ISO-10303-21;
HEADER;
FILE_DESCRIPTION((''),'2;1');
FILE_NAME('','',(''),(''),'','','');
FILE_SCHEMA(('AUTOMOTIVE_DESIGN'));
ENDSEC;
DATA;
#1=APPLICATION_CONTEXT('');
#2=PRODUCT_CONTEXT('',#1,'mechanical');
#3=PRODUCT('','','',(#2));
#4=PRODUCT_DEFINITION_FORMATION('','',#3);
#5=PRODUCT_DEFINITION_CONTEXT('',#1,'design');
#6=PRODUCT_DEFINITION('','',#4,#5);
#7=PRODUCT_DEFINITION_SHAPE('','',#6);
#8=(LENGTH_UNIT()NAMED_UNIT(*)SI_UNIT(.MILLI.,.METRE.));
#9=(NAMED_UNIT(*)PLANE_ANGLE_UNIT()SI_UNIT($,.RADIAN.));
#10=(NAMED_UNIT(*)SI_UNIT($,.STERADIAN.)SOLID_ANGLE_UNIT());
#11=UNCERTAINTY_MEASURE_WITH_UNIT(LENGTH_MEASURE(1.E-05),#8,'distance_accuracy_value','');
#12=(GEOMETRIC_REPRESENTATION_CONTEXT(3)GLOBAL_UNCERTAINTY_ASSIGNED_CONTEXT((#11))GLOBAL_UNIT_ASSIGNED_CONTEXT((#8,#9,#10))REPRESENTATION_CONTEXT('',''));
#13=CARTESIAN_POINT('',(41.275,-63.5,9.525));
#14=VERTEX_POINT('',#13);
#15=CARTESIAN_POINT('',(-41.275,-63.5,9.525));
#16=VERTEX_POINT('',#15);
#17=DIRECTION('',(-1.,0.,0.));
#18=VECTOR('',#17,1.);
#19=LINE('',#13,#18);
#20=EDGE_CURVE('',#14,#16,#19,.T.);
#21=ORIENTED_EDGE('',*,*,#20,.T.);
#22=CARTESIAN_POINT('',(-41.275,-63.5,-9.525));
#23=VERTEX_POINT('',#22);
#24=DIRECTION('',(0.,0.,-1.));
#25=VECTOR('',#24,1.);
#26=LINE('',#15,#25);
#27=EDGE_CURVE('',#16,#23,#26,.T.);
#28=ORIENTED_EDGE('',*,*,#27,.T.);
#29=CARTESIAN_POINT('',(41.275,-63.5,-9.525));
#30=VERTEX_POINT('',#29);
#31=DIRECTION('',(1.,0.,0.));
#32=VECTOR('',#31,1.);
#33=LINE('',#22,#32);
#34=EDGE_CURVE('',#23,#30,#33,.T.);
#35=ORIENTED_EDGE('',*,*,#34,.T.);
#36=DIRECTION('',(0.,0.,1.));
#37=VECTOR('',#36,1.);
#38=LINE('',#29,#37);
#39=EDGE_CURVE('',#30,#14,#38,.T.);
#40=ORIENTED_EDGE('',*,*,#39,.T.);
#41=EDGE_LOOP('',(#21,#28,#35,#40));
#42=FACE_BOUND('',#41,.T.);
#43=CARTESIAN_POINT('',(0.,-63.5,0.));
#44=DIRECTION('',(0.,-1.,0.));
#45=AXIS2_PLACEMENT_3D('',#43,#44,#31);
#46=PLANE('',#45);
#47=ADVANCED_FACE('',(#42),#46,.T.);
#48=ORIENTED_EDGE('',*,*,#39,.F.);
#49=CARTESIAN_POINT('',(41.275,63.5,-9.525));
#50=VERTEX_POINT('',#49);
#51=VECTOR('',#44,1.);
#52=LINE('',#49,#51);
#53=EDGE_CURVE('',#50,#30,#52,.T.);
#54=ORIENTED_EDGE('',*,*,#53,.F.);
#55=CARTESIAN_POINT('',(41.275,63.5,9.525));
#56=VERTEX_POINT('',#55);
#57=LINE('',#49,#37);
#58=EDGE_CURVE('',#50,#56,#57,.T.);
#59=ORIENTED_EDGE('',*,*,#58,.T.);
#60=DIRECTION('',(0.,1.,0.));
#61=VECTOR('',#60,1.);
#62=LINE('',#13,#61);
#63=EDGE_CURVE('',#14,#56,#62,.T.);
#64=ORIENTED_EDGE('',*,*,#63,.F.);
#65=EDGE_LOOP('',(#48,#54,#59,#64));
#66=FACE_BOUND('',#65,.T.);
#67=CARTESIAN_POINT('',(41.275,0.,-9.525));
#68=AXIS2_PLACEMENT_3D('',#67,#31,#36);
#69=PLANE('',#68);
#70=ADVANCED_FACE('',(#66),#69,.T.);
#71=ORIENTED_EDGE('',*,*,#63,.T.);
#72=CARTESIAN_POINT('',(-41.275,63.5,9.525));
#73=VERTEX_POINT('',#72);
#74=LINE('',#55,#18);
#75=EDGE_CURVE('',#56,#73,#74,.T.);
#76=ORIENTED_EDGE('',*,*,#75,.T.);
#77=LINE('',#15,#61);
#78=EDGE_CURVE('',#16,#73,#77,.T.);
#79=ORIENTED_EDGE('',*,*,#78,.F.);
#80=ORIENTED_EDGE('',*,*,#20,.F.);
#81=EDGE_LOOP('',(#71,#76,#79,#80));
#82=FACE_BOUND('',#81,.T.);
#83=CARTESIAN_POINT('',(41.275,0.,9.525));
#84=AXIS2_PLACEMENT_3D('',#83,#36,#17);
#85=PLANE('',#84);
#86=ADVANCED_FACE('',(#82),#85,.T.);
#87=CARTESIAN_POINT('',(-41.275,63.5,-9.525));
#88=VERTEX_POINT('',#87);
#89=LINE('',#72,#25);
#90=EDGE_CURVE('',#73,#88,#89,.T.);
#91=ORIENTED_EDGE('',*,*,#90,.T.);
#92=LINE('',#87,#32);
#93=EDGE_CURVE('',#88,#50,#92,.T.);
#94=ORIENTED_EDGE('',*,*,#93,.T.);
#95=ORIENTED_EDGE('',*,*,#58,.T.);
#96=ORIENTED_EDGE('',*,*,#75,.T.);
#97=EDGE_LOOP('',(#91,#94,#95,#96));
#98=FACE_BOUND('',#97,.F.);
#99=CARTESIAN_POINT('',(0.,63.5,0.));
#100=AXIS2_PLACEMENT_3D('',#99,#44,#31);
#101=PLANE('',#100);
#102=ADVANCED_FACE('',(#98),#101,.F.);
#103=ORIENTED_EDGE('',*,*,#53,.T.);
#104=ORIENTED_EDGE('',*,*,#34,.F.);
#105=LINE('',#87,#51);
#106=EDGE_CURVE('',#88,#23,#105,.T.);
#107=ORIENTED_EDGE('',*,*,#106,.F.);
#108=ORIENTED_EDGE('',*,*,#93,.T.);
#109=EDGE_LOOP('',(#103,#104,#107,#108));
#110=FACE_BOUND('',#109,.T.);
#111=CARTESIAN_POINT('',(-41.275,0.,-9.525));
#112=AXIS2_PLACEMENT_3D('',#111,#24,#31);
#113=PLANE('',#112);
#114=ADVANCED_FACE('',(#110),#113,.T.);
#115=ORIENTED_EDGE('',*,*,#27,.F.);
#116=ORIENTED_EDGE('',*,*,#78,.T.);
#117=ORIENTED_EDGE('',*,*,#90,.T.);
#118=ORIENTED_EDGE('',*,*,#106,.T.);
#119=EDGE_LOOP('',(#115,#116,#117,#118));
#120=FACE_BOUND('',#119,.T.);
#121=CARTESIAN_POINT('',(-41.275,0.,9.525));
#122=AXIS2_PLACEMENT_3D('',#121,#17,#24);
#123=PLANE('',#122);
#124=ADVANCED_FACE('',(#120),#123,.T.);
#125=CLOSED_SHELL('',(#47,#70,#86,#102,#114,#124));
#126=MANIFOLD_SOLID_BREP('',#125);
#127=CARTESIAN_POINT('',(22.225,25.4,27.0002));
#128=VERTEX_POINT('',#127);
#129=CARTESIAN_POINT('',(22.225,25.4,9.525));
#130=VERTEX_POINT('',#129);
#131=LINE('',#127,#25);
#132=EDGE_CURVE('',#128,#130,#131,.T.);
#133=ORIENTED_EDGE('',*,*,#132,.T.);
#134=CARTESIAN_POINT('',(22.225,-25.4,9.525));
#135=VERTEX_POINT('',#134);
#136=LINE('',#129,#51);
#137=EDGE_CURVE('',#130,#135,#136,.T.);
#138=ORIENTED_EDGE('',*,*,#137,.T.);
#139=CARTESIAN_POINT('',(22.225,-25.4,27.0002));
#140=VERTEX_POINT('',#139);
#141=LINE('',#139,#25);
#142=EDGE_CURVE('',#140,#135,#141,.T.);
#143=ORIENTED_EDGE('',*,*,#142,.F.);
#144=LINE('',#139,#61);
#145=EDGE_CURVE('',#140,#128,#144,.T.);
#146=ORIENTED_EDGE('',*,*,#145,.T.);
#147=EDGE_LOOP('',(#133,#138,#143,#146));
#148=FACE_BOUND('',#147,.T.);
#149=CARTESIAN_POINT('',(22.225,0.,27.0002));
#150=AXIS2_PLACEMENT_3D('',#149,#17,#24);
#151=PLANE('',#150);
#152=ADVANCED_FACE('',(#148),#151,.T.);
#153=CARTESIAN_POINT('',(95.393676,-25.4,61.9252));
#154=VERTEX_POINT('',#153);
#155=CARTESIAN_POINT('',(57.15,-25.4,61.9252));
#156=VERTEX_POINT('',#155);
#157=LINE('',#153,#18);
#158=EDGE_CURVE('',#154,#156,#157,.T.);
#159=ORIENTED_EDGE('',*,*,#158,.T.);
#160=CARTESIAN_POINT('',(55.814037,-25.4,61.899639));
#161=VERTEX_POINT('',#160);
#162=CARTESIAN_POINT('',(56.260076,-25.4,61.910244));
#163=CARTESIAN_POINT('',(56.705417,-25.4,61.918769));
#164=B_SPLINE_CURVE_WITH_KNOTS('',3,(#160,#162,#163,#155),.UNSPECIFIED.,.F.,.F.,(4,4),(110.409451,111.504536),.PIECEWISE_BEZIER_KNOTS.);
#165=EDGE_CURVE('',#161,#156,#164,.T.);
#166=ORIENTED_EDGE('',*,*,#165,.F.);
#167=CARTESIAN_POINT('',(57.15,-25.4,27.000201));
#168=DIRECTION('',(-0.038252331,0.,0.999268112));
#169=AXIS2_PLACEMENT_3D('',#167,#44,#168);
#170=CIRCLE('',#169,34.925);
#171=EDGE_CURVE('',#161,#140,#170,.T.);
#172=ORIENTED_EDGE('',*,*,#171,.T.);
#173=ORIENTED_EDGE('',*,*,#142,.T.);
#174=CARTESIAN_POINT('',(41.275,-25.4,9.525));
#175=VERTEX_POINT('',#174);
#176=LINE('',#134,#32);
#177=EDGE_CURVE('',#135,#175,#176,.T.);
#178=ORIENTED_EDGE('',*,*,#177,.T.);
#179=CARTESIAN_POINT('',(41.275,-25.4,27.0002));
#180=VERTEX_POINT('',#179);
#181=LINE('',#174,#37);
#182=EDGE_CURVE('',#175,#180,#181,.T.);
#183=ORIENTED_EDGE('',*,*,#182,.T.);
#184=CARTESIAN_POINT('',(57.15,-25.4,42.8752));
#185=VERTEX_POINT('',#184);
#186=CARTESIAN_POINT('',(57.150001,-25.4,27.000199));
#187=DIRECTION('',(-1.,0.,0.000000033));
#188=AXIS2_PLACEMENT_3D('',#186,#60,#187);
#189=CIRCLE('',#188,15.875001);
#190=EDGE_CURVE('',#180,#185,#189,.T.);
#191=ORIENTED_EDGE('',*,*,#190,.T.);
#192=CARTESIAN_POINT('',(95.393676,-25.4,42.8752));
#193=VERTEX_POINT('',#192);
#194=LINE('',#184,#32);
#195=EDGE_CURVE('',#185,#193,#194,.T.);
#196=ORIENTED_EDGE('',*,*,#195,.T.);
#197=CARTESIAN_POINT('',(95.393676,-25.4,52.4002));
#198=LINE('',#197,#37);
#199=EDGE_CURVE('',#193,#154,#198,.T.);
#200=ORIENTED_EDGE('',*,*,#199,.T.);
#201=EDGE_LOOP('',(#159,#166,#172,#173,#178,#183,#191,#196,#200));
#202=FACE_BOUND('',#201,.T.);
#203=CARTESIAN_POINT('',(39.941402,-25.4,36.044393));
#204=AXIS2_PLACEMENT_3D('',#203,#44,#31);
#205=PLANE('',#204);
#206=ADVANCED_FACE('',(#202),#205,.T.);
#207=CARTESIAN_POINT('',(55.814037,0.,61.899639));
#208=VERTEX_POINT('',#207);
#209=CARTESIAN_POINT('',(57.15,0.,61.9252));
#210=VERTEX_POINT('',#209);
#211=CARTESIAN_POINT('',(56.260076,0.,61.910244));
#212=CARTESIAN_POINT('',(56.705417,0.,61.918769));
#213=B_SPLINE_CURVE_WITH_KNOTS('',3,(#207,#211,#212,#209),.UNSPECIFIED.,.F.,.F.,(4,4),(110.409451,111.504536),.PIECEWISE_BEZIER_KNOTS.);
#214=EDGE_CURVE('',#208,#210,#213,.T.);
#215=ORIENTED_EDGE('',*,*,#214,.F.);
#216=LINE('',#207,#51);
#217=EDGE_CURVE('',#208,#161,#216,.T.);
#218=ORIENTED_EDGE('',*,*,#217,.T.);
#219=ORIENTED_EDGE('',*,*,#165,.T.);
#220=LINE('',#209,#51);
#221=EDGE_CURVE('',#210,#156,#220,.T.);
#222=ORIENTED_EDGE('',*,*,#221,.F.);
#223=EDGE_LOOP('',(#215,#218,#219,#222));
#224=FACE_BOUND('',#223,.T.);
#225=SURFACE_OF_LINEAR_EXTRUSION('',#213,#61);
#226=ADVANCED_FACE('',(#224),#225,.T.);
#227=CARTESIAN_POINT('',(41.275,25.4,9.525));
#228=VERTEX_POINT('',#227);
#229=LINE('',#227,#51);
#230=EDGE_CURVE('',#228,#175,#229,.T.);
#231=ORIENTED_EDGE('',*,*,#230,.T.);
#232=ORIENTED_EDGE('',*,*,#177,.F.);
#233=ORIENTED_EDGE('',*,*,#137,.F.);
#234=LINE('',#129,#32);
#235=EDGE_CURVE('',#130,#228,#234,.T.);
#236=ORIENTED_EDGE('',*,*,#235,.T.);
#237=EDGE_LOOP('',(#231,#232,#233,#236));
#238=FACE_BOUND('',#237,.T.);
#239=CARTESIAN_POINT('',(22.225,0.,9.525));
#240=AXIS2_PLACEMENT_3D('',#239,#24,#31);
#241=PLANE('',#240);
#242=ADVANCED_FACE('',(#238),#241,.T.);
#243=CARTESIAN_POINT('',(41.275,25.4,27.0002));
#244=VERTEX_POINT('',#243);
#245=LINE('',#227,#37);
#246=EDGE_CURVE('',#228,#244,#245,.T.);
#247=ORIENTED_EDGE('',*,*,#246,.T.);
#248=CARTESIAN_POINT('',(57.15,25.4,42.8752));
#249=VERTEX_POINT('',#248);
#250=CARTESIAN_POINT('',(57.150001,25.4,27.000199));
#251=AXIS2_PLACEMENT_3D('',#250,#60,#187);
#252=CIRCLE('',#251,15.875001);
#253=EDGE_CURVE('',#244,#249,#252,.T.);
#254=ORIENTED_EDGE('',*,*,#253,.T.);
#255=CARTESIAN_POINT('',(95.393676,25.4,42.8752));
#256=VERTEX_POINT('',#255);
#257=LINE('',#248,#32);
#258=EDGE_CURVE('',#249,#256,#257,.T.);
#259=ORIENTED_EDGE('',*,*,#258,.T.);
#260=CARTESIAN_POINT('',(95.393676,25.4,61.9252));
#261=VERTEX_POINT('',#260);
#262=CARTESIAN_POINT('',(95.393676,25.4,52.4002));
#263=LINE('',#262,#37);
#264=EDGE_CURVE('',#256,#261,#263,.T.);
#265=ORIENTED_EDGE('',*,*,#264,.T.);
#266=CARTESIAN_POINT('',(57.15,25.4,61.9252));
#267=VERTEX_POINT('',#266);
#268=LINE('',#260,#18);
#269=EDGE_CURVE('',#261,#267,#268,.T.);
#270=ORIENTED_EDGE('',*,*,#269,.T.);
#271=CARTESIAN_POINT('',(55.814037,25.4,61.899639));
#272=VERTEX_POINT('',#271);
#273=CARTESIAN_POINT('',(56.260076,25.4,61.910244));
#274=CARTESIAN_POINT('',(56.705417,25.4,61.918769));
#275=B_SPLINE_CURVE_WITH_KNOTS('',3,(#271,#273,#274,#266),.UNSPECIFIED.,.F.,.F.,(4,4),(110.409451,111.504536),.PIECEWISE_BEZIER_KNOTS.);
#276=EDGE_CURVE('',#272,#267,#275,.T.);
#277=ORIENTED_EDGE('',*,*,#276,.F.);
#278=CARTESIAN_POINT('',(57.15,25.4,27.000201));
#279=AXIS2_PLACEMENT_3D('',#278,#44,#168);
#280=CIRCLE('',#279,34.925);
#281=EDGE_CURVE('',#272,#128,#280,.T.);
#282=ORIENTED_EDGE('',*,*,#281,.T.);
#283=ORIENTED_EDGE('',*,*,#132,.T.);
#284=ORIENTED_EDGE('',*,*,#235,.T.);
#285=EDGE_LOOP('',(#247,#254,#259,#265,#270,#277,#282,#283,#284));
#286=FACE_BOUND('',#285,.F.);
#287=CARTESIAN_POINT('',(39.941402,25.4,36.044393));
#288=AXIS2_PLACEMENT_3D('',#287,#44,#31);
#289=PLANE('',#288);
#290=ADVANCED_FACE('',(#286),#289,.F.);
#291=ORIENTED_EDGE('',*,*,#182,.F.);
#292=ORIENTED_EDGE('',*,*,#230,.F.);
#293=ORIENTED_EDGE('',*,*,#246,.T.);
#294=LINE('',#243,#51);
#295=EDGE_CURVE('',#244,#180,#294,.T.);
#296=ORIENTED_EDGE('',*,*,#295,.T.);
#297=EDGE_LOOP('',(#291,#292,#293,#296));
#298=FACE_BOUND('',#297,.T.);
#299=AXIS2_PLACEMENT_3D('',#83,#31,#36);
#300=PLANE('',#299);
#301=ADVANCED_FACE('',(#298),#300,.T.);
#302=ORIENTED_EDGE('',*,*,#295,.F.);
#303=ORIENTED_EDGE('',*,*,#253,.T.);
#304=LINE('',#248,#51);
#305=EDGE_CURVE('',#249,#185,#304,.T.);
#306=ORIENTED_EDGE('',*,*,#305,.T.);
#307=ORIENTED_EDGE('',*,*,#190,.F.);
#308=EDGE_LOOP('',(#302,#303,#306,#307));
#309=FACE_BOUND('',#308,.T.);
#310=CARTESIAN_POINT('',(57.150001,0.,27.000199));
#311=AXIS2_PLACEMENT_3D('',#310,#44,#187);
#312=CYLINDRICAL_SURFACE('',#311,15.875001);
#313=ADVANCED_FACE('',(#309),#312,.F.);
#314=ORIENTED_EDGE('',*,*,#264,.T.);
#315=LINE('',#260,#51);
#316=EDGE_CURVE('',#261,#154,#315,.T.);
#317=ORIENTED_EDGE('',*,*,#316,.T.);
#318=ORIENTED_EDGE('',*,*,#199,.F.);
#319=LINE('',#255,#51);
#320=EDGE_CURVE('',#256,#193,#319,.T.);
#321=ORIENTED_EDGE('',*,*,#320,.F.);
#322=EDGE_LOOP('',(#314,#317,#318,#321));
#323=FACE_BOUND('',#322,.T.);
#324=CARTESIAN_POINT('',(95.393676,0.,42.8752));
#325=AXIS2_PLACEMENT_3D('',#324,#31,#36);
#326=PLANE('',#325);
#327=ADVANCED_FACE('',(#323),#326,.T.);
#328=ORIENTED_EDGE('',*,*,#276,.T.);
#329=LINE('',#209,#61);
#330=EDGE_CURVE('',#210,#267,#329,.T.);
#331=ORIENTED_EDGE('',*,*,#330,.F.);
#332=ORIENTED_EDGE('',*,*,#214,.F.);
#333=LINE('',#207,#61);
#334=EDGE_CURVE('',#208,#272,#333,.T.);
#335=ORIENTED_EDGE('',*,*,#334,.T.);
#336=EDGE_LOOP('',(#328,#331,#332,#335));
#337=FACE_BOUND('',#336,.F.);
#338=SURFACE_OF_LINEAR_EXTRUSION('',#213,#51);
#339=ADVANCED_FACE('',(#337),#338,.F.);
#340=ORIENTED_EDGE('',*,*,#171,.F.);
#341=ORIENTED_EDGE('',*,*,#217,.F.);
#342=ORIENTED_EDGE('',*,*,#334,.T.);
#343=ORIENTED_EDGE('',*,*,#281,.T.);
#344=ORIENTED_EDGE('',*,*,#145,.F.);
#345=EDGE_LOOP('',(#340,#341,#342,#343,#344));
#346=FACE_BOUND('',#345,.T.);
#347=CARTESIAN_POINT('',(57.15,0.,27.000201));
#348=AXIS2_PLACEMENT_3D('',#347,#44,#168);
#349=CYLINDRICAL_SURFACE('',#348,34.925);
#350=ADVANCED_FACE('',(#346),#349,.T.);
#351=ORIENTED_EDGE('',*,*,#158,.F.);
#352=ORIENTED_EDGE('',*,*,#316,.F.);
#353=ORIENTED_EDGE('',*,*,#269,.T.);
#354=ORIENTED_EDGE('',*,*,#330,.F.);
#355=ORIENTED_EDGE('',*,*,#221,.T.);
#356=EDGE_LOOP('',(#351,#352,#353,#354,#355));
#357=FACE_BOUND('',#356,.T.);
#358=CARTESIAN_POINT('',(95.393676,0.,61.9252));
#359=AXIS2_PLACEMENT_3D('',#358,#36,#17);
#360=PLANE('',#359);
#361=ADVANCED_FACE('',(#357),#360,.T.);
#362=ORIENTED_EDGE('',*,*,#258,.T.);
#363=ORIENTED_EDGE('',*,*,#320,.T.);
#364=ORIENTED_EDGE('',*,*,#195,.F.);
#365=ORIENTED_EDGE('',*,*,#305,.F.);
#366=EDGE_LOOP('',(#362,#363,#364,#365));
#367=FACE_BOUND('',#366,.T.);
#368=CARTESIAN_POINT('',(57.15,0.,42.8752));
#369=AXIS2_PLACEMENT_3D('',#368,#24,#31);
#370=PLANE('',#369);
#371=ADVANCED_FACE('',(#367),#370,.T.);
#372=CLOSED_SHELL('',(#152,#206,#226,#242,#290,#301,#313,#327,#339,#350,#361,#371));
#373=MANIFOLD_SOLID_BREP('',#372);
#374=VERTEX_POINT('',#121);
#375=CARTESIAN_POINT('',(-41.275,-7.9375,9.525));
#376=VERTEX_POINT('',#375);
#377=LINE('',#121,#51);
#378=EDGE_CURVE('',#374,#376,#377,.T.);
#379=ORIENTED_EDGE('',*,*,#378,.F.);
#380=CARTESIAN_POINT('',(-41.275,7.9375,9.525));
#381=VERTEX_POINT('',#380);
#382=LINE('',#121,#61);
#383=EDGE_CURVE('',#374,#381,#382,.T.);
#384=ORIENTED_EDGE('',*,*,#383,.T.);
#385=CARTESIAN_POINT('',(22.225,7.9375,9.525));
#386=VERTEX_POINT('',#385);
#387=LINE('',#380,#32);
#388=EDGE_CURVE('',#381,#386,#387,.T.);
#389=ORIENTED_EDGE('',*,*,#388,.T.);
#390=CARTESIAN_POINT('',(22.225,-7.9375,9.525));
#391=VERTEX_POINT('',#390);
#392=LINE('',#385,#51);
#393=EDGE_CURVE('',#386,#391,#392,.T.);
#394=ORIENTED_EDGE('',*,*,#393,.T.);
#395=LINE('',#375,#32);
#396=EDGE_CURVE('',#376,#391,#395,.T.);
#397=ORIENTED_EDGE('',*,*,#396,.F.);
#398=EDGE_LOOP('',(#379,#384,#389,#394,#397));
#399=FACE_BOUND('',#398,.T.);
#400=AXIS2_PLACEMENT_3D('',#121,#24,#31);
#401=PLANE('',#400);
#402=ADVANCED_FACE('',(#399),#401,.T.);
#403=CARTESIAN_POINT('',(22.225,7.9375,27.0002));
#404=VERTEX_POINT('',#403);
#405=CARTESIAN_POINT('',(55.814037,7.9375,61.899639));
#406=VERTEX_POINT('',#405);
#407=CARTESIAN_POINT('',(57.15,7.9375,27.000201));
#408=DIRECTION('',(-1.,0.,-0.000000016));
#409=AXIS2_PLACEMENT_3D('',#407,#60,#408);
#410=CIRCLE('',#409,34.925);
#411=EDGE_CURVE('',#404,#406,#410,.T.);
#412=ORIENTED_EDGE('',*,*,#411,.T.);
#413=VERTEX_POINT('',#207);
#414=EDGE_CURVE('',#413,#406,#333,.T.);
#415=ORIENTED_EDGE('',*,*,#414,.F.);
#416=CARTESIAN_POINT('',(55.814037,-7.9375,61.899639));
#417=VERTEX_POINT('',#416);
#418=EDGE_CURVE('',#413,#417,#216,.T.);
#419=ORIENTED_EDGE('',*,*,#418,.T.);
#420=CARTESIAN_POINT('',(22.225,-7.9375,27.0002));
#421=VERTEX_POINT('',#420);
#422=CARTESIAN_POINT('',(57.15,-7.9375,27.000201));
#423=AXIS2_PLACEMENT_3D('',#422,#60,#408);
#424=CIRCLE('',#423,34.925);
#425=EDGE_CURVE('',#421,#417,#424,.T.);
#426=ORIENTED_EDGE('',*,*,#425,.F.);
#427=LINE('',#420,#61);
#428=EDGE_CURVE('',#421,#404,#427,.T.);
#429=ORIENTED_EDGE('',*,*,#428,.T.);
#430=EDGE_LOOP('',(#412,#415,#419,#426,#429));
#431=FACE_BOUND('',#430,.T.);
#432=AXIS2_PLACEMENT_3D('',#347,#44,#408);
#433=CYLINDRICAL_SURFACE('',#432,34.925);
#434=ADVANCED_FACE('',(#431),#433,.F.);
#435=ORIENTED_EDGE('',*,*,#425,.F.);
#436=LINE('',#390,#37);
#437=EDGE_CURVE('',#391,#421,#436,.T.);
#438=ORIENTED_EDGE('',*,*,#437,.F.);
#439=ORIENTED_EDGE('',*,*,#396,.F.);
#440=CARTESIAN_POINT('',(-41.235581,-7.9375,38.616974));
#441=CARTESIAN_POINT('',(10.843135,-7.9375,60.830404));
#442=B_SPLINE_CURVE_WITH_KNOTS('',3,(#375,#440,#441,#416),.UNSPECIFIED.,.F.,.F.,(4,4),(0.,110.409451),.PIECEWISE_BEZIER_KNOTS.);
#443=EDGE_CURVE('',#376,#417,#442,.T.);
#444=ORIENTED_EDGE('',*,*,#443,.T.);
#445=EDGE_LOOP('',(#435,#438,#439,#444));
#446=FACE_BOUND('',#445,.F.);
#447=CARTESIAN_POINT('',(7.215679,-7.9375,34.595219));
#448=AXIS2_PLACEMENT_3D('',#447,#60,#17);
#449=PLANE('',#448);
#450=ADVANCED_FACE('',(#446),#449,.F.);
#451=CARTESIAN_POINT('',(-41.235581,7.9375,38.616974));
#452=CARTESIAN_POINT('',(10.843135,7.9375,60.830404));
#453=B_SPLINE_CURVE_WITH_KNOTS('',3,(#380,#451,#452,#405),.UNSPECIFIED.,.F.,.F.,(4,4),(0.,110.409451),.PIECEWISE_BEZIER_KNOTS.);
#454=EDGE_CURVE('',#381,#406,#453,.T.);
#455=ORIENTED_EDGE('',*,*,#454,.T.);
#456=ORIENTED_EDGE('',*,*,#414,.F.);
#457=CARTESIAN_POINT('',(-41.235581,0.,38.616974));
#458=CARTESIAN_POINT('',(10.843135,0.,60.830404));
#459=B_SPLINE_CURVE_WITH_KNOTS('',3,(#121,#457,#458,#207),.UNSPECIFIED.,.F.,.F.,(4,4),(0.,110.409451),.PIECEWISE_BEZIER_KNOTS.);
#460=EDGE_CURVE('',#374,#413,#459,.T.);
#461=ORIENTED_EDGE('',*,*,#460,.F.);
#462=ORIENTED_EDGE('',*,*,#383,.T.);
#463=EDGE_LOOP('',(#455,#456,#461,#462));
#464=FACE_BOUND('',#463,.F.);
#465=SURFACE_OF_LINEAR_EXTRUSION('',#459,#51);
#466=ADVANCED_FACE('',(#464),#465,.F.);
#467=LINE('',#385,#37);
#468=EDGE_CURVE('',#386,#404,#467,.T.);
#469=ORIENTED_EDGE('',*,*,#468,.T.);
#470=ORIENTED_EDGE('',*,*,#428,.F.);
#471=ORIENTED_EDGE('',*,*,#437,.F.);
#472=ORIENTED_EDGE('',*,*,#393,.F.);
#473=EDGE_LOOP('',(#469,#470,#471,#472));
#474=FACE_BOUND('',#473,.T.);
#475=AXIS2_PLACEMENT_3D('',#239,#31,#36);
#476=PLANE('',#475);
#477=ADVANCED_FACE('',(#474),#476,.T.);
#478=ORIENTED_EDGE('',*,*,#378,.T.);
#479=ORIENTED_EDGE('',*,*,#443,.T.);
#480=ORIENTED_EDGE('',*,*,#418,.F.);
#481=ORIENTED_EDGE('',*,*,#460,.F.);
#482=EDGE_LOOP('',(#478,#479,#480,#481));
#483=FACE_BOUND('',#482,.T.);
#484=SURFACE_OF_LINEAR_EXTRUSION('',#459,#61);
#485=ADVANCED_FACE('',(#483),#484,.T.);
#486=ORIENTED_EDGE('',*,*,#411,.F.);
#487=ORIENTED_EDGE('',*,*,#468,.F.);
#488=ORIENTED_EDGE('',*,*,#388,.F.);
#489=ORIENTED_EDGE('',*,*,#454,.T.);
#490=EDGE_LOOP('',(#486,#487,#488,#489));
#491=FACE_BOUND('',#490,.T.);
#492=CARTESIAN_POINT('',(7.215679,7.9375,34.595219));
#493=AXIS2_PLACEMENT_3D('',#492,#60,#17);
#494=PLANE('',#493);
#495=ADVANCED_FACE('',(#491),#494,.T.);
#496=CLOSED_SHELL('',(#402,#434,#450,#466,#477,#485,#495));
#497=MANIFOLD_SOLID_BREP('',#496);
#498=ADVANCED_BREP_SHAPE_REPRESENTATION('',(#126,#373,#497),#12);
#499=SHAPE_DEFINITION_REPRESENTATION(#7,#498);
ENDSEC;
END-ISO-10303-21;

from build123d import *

# Parameters (mm, degrees)
F1_DEPTH = 63.5
F0_W     = 35.068676
F0_H     = 19.05
F2_DEPTH = 25.4
F3_DEPTH = 7.9375


with BuildPart() as f1:
    # F0 (on Front) → F1 (new body, symmetric)
    with BuildSketch(Plane.XZ):
        Polygon((22.225, 9.525), (-41.275, 9.525), (-41.275, -9.525), (41.275, -9.525), (41.275, 9.525), align=None)
    extrude(amount=F1_DEPTH, both=True)


with BuildPart() as f2:
    # F0 (on Front) → F2 (new body, symmetric)
    with BuildSketch(Plane.XZ):
        with BuildLine():
            Line((22.225, 27.0002), (22.225, 9.525))
            Line((22.225, 9.525), (41.275, 9.525))
            Line((41.275, 9.525), (41.275, 27.0002))
            ThreePointArc((41.275, 27.0002), (45.92468, 38.22552), (57.15, 42.8752))
            Line((57.15, 42.8752), (60.325, 42.8752))
            Line((60.325, 42.8752), (60.325, 61.9252))
            Line((60.325, 61.9252), (57.15, 61.9252))
            add(Edge.make_bspline(
                [(55.814037, 61.899639), (56.260076, 61.910244), (56.705417, 61.918769), (57.15, 61.9252)],
                knots=[110.409451, 110.409451, 110.409451, 110.409451, 111.504536, 111.504536, 111.504536, 111.504536], degree=3))
            ThreePointArc((55.814037, 61.899639), (31.986394, 51.218965), (22.225, 27.0002))
        make_face()
        with Locations((77.859338, 52.4002)):
            Rectangle(F0_W, F0_H)
    extrude(amount=F2_DEPTH, both=True)


with BuildPart() as f3:
    # F0 (on Front) → F3 (new body, symmetric)
    with BuildSketch(Plane.XZ):
        with BuildLine():
            add(Edge.make_bspline(
                [(-41.275, 9.525), (-41.235581, 38.616974), (10.843135, 60.830404), (55.814037, 61.899639)],
                knots=[0, 0, 0, 0, 110.409451, 110.409451, 110.409451, 110.409451], degree=3))
            Line((-41.275, 9.525), (22.225, 9.525))
            Line((22.225, 9.525), (22.225, 27.0002))
            ThreePointArc((22.225, 27.0002), (31.986394, 51.218965), (55.814037, 61.899639))
        make_face()
    extrude(amount=F3_DEPTH, both=True)


solid = Compound([f1.part, f2.part, f3.part])
